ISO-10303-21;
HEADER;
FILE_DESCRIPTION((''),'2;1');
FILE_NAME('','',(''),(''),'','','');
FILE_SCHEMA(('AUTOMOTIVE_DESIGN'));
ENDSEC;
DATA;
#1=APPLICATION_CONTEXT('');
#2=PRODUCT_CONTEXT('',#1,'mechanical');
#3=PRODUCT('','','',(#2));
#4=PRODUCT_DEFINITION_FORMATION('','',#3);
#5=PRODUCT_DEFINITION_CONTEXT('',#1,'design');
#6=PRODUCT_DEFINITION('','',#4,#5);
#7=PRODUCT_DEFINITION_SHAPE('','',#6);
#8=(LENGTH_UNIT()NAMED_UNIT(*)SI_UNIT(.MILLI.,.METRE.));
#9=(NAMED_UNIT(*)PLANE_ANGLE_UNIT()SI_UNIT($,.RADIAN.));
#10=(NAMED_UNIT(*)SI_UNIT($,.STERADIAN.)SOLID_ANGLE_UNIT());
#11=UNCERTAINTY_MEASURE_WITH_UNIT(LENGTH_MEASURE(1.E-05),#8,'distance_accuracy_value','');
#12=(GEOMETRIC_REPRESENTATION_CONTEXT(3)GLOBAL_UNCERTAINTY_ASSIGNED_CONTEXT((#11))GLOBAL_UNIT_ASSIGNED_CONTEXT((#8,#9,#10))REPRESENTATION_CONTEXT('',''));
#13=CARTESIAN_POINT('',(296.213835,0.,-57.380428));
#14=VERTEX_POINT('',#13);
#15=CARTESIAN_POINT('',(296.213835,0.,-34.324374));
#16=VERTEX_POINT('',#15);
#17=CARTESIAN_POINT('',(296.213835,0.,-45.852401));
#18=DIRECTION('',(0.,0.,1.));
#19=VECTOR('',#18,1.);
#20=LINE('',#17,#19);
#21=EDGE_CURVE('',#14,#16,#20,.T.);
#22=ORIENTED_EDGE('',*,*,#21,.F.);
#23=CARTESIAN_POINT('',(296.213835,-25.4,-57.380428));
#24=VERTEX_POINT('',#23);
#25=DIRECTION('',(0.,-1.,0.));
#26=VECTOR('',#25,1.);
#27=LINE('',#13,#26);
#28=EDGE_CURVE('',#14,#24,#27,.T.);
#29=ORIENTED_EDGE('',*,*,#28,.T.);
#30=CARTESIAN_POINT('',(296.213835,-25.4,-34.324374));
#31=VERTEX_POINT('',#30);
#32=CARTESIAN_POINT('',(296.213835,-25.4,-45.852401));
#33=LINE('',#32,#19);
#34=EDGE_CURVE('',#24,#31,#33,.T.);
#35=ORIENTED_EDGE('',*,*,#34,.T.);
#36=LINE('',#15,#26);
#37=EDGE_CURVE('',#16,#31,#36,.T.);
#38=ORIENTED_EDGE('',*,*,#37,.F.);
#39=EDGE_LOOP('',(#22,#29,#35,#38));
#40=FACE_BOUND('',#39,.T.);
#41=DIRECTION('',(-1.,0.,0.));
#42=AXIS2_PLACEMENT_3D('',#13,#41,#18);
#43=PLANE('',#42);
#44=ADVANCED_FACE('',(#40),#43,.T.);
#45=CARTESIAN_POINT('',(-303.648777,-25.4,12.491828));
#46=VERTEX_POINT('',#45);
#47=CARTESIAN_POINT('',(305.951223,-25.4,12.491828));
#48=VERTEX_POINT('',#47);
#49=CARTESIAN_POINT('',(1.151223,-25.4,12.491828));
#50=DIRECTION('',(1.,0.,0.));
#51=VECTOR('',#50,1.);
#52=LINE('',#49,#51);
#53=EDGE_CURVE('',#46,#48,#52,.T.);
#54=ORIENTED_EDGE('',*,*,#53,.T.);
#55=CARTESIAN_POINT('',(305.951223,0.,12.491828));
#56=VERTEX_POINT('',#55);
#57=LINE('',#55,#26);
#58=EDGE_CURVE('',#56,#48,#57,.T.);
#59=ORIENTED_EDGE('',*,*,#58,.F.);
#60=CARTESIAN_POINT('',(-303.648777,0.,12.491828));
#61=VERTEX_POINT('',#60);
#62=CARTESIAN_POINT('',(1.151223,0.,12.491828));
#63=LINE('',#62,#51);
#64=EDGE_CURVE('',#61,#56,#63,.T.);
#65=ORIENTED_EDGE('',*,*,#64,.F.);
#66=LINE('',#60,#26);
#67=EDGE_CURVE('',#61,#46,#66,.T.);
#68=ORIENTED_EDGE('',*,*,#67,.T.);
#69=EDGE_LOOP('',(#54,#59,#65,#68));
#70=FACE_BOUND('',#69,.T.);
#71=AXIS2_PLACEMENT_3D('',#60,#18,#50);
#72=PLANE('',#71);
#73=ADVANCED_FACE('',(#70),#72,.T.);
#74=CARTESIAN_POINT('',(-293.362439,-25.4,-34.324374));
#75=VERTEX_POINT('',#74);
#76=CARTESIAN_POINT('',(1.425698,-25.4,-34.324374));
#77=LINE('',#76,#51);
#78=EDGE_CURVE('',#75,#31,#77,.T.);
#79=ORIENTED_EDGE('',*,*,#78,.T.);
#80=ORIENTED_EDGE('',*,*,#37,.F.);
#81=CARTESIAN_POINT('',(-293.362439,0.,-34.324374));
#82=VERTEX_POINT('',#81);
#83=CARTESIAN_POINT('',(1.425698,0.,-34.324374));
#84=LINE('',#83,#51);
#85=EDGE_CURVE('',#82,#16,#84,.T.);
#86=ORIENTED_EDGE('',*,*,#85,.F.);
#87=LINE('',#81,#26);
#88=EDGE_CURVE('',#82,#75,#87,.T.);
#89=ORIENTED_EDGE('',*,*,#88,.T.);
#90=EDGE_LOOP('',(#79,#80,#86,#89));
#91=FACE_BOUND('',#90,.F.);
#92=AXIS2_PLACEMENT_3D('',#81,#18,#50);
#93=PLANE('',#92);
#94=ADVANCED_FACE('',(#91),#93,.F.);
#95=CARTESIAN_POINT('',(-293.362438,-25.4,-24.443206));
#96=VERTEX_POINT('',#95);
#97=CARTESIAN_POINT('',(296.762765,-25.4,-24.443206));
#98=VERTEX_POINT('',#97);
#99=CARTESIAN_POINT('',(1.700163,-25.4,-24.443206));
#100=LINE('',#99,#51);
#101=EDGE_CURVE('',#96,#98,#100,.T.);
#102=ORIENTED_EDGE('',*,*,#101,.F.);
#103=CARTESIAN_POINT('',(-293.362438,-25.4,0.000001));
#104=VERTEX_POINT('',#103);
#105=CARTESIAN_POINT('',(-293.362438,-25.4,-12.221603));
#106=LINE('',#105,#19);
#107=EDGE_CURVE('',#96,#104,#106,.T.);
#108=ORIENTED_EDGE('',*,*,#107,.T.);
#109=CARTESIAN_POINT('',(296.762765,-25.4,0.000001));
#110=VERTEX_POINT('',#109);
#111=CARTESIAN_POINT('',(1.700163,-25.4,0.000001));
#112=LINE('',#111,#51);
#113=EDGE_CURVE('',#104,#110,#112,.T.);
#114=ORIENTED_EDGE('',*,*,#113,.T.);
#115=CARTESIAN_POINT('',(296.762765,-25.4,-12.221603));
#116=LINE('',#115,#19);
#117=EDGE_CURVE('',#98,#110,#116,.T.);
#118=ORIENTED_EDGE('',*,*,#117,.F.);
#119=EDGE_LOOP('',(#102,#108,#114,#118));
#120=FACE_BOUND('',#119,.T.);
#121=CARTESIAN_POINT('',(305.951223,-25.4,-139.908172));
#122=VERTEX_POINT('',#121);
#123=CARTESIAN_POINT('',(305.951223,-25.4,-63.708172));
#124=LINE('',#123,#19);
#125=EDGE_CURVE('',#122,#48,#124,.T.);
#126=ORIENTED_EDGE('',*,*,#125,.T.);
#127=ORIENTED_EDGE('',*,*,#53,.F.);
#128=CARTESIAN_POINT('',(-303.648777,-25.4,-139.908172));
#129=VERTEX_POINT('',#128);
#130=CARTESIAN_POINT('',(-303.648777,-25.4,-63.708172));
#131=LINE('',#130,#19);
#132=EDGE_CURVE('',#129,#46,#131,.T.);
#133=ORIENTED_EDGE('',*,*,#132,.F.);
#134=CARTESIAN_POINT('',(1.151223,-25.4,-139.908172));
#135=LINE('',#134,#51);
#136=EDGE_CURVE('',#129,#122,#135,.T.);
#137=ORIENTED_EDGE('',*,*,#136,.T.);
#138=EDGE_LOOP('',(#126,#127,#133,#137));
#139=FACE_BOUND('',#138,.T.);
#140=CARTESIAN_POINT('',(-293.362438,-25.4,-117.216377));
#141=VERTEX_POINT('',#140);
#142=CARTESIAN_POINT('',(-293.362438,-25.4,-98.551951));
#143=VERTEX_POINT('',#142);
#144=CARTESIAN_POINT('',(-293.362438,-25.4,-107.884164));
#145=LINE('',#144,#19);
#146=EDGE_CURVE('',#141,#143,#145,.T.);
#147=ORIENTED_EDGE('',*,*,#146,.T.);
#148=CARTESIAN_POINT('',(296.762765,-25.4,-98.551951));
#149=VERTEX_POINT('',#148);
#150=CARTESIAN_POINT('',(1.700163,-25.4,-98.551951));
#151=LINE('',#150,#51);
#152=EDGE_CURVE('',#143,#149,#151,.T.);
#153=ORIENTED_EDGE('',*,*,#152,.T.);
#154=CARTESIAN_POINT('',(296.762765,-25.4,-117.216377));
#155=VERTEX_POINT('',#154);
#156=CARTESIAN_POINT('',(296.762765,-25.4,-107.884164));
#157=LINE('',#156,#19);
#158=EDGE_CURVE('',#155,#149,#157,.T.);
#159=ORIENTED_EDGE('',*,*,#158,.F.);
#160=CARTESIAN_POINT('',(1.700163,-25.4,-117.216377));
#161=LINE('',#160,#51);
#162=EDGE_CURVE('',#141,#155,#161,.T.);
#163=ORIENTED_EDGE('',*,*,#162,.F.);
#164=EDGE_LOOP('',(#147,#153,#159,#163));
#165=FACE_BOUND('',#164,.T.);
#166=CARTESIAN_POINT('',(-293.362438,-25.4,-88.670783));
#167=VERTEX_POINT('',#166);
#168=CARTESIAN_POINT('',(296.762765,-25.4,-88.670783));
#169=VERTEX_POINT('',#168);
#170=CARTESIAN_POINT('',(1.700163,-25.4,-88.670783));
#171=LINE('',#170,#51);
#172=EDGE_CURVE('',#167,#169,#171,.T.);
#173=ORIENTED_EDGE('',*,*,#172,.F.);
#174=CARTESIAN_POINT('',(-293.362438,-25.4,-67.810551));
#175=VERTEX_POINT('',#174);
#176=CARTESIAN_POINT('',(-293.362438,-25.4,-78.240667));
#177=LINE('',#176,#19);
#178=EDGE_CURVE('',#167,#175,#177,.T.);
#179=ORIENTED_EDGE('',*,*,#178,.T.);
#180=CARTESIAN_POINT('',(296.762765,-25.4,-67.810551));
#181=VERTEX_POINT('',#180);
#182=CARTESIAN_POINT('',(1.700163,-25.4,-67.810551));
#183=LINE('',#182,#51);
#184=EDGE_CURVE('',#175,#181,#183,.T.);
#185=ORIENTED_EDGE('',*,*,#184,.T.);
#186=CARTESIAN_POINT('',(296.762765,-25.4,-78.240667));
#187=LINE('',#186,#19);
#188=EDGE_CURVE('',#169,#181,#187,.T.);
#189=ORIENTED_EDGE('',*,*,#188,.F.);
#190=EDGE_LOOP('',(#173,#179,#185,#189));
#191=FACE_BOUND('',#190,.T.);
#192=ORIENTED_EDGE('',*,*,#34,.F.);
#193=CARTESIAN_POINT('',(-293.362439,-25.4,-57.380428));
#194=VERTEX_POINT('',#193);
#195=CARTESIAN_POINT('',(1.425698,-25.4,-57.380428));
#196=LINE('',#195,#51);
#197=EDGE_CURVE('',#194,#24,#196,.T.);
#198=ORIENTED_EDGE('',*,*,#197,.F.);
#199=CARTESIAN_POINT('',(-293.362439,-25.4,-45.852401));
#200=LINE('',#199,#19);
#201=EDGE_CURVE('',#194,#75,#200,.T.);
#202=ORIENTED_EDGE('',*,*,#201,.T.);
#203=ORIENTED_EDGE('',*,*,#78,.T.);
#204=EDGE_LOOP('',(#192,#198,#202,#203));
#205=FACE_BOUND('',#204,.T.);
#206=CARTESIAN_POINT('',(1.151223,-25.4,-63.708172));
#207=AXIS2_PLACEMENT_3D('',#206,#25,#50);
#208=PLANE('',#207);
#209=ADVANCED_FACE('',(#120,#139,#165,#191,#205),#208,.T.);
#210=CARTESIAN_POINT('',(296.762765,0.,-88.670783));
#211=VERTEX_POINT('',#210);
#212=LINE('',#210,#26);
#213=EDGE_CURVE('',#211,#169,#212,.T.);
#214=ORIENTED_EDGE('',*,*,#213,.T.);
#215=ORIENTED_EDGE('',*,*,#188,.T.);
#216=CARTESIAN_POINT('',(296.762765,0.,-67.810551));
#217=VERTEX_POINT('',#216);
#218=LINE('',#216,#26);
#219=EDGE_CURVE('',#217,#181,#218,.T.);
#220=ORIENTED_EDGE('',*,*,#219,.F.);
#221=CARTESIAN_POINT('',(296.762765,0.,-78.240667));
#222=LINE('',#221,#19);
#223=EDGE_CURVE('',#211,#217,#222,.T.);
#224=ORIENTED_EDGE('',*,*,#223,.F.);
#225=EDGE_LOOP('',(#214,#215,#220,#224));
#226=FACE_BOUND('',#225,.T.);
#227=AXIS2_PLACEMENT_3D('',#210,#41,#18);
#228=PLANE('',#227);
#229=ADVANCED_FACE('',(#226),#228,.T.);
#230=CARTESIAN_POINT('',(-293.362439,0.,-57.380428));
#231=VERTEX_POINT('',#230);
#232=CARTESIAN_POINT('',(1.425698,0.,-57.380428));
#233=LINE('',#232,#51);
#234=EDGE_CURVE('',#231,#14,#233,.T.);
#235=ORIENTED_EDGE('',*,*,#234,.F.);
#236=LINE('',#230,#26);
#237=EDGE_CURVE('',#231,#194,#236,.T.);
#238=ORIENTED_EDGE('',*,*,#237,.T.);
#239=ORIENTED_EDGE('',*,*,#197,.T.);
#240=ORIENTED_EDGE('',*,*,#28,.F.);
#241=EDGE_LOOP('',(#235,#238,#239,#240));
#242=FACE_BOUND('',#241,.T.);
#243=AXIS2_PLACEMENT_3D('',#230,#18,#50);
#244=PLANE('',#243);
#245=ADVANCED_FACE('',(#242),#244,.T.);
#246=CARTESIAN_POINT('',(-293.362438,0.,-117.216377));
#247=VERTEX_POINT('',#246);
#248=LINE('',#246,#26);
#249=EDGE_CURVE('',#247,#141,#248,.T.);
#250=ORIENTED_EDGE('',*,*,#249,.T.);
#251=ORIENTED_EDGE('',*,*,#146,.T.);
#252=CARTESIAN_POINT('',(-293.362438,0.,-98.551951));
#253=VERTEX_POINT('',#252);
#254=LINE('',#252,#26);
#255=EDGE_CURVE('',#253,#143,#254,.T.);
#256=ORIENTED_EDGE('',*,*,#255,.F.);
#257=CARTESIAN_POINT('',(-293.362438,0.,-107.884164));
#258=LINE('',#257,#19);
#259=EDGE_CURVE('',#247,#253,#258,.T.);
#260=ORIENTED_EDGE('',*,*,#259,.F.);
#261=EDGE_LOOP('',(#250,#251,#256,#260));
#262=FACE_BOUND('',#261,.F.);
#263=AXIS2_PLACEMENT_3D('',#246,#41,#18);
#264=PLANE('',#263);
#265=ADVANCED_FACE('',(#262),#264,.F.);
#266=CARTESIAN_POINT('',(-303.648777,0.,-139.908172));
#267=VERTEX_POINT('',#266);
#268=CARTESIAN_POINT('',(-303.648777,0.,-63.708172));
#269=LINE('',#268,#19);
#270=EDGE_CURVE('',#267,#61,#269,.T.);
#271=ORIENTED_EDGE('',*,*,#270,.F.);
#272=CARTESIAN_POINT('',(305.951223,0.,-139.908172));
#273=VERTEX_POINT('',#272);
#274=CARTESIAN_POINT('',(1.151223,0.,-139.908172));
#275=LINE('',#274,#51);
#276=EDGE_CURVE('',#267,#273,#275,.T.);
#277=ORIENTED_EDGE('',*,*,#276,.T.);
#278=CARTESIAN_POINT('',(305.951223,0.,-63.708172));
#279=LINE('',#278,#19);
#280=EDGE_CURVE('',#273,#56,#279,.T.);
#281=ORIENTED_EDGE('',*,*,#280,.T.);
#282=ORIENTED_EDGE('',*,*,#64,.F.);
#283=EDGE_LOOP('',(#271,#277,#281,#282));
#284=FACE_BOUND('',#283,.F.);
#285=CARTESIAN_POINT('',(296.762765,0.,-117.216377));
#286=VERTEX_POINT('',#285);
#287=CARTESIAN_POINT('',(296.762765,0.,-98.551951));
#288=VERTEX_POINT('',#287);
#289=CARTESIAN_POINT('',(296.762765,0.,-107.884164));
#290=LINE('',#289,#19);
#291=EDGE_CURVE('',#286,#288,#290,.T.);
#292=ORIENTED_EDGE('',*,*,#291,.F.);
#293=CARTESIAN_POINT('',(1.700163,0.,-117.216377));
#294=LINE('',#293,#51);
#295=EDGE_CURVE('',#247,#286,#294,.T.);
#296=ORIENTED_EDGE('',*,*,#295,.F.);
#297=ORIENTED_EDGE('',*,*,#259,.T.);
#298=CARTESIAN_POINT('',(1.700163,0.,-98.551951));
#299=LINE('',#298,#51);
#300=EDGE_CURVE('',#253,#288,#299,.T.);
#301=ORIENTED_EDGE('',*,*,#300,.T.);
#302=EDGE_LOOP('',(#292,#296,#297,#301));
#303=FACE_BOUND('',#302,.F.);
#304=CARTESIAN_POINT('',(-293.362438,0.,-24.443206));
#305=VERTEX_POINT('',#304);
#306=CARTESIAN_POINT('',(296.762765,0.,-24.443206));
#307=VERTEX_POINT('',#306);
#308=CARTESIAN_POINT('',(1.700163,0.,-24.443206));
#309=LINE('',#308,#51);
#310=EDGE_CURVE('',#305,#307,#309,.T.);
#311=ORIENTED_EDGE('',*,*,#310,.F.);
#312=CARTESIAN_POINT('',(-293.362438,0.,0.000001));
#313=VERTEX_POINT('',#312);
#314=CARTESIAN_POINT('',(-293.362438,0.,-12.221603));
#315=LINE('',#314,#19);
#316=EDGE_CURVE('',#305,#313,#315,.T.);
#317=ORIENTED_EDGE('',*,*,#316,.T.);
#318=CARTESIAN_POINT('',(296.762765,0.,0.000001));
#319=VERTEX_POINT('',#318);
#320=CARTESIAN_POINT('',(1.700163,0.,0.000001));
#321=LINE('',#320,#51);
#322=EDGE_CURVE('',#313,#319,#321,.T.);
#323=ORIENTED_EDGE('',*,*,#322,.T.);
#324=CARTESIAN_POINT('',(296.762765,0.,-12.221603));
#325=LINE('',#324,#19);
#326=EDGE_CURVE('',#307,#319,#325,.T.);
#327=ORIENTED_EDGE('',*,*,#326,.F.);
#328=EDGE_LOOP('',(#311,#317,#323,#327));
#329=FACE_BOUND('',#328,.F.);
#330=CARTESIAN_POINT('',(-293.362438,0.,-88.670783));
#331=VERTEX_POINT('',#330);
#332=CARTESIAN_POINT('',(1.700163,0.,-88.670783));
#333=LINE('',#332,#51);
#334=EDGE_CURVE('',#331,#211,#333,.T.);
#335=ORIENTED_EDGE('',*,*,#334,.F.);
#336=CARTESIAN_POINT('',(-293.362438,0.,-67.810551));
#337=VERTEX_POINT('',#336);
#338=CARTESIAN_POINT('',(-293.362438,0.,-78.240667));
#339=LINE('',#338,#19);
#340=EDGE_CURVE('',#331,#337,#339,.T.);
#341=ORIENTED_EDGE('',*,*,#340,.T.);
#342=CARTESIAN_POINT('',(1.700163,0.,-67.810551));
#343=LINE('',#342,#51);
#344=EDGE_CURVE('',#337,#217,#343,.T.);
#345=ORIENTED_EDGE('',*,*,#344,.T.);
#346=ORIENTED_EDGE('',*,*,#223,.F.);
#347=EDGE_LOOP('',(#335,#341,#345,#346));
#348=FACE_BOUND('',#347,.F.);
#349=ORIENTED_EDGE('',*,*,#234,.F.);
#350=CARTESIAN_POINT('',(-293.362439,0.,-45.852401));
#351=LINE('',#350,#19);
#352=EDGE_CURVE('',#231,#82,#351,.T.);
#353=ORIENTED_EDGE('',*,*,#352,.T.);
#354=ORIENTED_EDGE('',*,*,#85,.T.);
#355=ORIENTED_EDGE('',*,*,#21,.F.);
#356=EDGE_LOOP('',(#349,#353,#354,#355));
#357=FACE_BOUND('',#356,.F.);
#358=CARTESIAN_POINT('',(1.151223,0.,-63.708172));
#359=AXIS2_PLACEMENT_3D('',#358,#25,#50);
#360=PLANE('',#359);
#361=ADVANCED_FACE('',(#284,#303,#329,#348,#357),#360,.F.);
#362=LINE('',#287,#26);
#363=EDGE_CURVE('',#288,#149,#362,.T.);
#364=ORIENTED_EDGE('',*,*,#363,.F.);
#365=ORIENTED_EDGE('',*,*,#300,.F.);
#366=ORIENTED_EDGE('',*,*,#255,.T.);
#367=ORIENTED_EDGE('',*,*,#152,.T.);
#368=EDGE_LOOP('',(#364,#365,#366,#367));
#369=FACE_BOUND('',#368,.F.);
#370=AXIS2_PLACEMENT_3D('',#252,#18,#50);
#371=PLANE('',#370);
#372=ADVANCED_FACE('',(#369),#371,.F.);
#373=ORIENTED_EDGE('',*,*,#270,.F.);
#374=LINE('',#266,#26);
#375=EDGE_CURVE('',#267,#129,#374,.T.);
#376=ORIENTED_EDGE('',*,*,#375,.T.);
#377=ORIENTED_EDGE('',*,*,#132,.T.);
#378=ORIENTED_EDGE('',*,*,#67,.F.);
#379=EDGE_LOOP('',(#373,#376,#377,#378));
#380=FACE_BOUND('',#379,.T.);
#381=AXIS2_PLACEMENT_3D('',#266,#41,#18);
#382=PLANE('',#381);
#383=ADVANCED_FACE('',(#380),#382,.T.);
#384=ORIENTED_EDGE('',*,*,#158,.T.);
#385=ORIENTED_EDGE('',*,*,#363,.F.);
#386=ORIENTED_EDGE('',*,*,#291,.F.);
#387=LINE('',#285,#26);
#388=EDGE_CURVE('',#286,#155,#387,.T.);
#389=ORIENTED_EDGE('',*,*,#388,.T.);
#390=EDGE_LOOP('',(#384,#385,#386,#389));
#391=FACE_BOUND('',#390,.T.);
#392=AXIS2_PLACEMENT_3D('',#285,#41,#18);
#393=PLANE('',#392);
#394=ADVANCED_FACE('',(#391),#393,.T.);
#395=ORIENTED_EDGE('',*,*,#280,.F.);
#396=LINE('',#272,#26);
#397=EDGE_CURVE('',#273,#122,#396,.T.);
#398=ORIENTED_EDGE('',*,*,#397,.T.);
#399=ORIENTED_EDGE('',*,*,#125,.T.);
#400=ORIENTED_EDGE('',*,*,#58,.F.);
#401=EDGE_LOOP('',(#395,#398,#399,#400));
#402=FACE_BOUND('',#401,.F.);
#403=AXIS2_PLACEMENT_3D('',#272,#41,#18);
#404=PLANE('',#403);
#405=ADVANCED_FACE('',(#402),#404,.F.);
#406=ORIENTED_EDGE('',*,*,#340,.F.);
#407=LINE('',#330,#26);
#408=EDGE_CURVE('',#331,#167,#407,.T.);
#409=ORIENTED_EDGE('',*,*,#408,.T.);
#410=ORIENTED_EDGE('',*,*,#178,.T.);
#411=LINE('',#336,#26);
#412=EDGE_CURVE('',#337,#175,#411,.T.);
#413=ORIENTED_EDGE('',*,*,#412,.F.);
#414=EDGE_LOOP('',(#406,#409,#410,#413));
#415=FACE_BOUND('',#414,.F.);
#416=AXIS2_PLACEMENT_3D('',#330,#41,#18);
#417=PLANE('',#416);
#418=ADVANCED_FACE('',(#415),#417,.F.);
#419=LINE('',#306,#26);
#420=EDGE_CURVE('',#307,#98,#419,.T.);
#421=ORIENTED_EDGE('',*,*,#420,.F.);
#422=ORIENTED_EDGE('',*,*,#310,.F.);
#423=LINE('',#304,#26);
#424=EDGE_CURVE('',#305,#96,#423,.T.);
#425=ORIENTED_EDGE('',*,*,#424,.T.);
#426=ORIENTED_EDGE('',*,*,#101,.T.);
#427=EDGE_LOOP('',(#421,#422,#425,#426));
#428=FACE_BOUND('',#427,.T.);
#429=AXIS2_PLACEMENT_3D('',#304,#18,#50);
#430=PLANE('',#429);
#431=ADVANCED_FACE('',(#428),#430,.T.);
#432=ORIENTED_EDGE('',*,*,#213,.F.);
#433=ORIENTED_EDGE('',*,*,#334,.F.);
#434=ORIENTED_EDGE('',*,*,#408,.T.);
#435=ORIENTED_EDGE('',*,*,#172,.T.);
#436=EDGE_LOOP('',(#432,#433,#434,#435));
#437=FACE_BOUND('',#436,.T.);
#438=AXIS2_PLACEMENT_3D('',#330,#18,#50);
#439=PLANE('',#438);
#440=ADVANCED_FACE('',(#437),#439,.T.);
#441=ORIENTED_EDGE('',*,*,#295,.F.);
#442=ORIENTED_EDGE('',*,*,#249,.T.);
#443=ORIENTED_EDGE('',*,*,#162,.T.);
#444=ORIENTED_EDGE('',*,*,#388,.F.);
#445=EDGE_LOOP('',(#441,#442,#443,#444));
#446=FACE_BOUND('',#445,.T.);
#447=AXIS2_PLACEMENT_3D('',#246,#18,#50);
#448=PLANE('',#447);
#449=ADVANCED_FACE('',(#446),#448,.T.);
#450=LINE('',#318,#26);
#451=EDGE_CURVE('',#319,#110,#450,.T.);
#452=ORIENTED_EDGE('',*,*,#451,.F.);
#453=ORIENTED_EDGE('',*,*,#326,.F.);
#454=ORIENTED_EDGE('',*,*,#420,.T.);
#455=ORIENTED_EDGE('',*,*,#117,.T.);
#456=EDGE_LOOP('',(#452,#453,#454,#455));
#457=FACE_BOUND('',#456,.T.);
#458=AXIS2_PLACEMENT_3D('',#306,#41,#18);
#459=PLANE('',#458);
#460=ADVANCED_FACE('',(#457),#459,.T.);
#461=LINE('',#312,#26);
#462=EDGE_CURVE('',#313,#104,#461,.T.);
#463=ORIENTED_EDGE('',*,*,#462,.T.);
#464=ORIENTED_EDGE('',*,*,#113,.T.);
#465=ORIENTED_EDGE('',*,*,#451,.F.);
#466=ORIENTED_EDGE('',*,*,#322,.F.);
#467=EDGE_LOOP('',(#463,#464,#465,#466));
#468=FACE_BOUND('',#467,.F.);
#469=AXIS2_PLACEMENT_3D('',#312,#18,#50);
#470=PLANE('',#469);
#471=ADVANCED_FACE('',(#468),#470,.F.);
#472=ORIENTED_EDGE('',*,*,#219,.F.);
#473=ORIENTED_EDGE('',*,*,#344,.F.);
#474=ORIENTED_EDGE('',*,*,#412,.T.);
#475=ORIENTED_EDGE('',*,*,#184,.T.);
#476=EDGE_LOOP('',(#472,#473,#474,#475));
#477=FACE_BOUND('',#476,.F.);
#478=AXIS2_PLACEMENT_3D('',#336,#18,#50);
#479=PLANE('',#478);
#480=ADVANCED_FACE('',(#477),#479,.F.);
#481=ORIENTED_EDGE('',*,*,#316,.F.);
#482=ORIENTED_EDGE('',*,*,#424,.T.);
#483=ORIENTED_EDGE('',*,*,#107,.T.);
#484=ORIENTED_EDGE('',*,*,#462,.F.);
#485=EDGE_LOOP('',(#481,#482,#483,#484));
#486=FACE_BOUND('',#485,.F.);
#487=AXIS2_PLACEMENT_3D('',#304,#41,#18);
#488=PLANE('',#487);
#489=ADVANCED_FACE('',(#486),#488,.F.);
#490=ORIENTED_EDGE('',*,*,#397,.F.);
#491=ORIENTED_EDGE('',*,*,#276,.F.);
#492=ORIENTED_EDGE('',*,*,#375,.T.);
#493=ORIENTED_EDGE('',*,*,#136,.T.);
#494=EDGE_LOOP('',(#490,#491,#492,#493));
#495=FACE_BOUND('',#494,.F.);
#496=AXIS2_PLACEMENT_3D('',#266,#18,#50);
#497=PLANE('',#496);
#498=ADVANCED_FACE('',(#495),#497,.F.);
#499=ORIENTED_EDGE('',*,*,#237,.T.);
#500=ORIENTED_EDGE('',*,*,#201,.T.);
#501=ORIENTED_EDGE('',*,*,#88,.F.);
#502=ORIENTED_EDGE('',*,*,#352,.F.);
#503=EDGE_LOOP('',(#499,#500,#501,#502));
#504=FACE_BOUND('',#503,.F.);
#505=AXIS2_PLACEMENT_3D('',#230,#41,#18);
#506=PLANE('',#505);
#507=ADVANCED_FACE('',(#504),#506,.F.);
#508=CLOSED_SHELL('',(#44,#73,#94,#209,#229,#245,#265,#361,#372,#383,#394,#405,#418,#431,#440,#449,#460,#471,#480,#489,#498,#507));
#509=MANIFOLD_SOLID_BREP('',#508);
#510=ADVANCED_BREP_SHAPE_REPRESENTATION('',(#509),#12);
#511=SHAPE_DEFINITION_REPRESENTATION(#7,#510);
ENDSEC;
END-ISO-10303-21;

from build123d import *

# Parameters (mm, degrees)
F0_W     = 609.6
F0_H     = 152.4
F0_W_2   = 590.125203
F0_H_2   = 18.664427
F0_H_3   = 20.860233
F0_W_3   = 589.576274
F0_H_4   = 23.056053
F0_H_5   = 24.443207
F1_DEPTH = 25.4


with BuildPart() as f1:
    # F0 (on Front) → F1 (new body)
    with BuildSketch(Plane.XZ):
        with Locations((1.151223, -63.708172)):
            Rectangle(F0_W, F0_H)
        with Locations((1.700163, -107.884164)):
            Rectangle(F0_W_2, F0_H_2, mode=Mode.SUBTRACT)
        with Locations((1.700163, -78.240667)):
            Rectangle(F0_W_2, F0_H_3, mode=Mode.SUBTRACT)
        with Locations((1.425698, -45.852401)):
            Rectangle(F0_W_3, F0_H_4, mode=Mode.SUBTRACT)
        with Locations((1.700163, -12.221603)):
            Rectangle(F0_W_2, F0_H_5, mode=Mode.SUBTRACT)
    extrude(amount=F1_DEPTH)


solid = f1.part
